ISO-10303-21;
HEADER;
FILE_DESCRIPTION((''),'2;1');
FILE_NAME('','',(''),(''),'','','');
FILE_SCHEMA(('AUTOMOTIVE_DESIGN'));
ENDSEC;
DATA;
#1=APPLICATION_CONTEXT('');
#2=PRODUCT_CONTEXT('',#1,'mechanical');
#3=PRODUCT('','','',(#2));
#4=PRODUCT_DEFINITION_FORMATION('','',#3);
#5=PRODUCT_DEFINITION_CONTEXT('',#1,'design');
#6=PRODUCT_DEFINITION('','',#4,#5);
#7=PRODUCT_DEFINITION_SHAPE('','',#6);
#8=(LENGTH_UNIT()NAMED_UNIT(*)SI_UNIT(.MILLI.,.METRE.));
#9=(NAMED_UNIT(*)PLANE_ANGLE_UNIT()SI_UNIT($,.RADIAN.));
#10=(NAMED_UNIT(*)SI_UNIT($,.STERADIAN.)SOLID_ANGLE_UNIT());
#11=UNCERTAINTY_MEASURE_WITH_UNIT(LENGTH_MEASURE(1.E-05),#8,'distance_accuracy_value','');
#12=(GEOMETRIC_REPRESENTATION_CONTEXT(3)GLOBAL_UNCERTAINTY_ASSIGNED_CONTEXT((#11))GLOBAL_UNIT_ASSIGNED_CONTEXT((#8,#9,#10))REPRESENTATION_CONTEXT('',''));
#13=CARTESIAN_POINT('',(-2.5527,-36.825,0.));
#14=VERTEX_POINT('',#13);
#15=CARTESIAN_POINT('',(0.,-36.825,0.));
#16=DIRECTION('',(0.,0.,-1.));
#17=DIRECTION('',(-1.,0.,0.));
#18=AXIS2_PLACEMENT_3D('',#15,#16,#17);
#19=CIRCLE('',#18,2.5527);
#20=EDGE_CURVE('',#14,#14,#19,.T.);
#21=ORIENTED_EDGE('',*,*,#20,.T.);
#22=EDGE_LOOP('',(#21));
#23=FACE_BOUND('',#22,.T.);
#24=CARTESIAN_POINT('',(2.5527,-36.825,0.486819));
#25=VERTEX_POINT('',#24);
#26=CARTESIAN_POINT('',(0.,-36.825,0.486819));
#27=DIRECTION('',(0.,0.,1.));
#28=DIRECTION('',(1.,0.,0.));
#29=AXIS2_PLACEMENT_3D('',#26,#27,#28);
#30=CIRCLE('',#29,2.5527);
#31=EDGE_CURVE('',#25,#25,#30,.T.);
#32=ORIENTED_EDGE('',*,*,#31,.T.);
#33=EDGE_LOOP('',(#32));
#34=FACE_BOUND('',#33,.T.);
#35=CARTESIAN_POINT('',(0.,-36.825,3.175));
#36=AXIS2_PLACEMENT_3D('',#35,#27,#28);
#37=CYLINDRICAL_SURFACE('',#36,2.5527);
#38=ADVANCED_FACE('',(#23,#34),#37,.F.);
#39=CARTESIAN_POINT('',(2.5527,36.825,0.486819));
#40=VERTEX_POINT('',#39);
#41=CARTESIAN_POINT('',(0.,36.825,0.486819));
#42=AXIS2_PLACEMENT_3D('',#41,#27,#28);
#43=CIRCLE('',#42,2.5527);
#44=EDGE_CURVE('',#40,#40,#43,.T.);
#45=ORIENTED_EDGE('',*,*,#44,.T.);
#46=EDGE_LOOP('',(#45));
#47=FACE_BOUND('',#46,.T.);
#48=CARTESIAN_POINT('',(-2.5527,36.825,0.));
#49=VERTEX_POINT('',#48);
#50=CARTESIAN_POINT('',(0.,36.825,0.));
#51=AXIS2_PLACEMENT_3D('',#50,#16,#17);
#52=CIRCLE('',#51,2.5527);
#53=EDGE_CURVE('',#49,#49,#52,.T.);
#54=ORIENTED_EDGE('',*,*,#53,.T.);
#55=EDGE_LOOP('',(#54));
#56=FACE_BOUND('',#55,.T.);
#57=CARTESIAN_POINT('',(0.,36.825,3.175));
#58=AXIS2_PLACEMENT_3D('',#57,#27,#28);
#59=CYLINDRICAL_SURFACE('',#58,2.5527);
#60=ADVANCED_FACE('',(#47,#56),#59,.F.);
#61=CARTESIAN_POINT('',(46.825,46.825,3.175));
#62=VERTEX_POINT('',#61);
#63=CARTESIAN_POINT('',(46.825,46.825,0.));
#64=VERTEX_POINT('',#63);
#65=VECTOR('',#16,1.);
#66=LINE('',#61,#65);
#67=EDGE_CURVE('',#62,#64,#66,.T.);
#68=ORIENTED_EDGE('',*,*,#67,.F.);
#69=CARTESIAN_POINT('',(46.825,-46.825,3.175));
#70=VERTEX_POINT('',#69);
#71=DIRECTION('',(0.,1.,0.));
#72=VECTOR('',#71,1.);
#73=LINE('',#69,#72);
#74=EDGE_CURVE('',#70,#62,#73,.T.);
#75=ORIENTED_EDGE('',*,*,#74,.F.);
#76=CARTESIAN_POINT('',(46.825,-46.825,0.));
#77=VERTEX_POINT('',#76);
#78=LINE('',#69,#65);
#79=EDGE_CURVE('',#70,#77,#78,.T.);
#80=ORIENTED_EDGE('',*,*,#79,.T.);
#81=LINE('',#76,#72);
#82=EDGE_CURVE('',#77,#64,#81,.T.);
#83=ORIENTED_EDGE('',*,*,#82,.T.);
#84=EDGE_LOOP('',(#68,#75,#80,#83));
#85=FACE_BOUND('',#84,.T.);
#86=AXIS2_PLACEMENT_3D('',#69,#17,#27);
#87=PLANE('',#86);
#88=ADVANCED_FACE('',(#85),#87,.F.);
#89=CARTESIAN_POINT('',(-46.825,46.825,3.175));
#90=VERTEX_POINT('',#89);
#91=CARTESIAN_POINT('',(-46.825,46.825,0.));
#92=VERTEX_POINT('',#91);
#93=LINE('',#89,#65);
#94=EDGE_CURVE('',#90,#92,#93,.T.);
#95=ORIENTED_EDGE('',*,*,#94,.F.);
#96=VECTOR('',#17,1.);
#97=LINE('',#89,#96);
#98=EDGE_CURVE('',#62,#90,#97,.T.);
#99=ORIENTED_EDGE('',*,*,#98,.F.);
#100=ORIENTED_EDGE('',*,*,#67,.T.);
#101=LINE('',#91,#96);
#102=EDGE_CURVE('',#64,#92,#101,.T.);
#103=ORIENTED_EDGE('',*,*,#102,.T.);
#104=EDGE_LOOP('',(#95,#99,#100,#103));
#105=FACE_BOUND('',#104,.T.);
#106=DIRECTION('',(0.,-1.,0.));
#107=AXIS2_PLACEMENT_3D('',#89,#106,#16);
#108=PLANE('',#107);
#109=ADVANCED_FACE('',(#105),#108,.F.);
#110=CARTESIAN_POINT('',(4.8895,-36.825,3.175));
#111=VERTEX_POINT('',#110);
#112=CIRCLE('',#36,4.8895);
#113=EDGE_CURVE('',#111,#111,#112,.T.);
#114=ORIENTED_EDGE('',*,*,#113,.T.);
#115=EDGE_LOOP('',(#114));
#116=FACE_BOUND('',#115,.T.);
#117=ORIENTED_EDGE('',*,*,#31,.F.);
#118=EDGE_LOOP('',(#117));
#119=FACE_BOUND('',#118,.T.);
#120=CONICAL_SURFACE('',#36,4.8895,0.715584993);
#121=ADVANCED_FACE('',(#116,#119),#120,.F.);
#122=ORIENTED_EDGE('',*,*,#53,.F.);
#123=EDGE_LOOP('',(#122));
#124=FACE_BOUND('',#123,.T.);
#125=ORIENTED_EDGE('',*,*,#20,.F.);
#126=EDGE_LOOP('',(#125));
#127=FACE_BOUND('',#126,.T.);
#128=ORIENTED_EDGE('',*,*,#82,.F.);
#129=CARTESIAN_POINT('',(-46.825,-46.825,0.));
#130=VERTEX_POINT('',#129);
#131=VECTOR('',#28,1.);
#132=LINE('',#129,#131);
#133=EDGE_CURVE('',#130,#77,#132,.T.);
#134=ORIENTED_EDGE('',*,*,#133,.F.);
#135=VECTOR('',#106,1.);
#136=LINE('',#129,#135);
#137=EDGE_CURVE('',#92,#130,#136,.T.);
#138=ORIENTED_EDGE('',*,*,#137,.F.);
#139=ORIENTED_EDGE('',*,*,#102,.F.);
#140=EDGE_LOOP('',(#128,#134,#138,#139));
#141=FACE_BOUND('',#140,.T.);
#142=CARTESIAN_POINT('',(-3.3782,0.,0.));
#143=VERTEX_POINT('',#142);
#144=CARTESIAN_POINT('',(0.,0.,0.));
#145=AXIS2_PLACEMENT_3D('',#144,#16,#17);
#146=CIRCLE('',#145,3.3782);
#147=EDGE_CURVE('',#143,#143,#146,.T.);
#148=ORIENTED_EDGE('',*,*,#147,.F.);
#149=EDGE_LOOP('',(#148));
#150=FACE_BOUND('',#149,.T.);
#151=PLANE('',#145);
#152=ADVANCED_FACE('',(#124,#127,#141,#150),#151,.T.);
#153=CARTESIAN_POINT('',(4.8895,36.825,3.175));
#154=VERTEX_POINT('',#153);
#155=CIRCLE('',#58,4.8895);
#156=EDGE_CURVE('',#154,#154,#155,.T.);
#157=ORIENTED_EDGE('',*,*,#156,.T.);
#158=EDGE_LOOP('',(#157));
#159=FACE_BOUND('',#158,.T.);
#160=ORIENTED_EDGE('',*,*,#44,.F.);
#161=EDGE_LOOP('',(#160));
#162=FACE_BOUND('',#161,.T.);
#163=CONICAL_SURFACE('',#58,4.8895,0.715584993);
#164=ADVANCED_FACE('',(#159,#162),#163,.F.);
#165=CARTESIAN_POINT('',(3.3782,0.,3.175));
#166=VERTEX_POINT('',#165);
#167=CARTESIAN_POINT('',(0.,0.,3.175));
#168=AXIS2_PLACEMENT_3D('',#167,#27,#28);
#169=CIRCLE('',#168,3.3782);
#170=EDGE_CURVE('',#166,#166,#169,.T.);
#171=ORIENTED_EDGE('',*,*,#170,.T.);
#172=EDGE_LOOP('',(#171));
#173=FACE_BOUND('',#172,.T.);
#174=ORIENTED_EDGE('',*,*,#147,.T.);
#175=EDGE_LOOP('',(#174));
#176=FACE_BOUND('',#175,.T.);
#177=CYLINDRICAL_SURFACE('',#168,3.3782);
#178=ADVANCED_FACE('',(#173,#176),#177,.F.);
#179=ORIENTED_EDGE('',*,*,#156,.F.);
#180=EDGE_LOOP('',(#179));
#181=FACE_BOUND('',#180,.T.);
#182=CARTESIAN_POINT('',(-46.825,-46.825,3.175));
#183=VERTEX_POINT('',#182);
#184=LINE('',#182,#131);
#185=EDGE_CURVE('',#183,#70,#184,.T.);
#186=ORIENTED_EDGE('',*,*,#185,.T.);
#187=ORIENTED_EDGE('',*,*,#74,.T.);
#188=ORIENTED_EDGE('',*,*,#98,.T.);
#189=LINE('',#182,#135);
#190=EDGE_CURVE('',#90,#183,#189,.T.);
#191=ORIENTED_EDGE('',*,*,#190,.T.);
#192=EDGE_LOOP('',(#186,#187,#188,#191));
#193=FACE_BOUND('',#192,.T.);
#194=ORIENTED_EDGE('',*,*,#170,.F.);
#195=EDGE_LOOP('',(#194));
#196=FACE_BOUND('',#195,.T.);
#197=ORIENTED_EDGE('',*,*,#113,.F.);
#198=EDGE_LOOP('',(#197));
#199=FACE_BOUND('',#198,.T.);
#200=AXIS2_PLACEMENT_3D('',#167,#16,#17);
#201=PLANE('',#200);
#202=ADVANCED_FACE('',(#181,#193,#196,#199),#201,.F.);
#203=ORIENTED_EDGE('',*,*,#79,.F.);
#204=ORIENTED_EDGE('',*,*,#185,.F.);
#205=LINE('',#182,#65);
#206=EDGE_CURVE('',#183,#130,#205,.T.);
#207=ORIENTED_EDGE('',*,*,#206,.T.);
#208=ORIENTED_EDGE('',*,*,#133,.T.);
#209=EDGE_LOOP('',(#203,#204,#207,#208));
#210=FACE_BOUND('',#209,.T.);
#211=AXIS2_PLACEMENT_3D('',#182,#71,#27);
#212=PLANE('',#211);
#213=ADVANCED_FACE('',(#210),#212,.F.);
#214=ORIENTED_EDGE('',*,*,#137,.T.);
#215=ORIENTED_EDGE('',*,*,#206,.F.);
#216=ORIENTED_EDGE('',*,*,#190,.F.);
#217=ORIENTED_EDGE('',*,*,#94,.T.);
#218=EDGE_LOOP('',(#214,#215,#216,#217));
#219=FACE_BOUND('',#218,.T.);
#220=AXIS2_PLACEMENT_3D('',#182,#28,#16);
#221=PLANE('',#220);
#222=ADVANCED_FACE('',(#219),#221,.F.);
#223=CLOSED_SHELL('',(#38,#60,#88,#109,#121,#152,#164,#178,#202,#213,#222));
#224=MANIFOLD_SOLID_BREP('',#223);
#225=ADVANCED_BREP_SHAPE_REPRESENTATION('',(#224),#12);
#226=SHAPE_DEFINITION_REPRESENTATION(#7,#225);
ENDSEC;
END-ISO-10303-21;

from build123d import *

# Parameters (mm, degrees)
SKETCH1_W                                       = 93.649999898
SKETCH1_H                                       = 93.649999898
BOSS_EXTRUDE1_DEPTH                             = 3.175
F_1_4_CLEARANCE_HOLE1_D                         = 6.7564
F_1_4_CLEARANCE_HOLE1_DEPTH                     = 4.826
F_1_4_CLEARANCE_HOLE1_TIP                       = 2.029827343
CSK_FOR_10_FLAT_HEAD_MACHINE_SCREW1_D           = 5.1054
CSK_FOR_10_FLAT_HEAD_MACHINE_SCREW1_DEPTH       = 4.826
CSK_FOR_10_FLAT_HEAD_MACHINE_SCREW1_CSINK_D     = 9.779
CSK_FOR_10_FLAT_HEAD_MACHINE_SCREW1_CSINK_ANGLE = 82
CSK_FOR_10_FLAT_HEAD_MACHINE_SCREW1_TIP         = 1.533816902


with BuildPart() as part:
    # Sketch1 → Boss-Extrude1 (new body)
    with BuildSketch(Plane.XY):
        Rectangle(SKETCH1_W, SKETCH1_H)
    extrude(amount=BOSS_EXTRUDE1_DEPTH)

    # 1/4 Clearance Hole1
    with Locations(Plane.XY.offset(3.175)):
        with Locations((0, 0)):
            Hole(F_1_4_CLEARANCE_HOLE1_D / 2, depth=F_1_4_CLEARANCE_HOLE1_DEPTH)
            with Locations((0, 0, -(F_1_4_CLEARANCE_HOLE1_DEPTH + F_1_4_CLEARANCE_HOLE1_TIP / 2))):  # 118° drill point
                Cone(0, F_1_4_CLEARANCE_HOLE1_D / 2, F_1_4_CLEARANCE_HOLE1_TIP, mode=Mode.SUBTRACT)

    # CSK for #10 Flat Head Machine Screw1
    with Locations(Plane.XY.offset(3.175)):
        with Locations((0, 36.824999949), (0, -36.824999949)):
            CounterSinkHole(CSK_FOR_10_FLAT_HEAD_MACHINE_SCREW1_D / 2, CSK_FOR_10_FLAT_HEAD_MACHINE_SCREW1_CSINK_D / 2, depth=CSK_FOR_10_FLAT_HEAD_MACHINE_SCREW1_DEPTH, counter_sink_angle=CSK_FOR_10_FLAT_HEAD_MACHINE_SCREW1_CSINK_ANGLE)
            with Locations((0, 0, -(CSK_FOR_10_FLAT_HEAD_MACHINE_SCREW1_DEPTH + CSK_FOR_10_FLAT_HEAD_MACHINE_SCREW1_TIP / 2))):  # 118° drill point
                Cone(0, CSK_FOR_10_FLAT_HEAD_MACHINE_SCREW1_D / 2, CSK_FOR_10_FLAT_HEAD_MACHINE_SCREW1_TIP, mode=Mode.SUBTRACT)


solid = part.part
